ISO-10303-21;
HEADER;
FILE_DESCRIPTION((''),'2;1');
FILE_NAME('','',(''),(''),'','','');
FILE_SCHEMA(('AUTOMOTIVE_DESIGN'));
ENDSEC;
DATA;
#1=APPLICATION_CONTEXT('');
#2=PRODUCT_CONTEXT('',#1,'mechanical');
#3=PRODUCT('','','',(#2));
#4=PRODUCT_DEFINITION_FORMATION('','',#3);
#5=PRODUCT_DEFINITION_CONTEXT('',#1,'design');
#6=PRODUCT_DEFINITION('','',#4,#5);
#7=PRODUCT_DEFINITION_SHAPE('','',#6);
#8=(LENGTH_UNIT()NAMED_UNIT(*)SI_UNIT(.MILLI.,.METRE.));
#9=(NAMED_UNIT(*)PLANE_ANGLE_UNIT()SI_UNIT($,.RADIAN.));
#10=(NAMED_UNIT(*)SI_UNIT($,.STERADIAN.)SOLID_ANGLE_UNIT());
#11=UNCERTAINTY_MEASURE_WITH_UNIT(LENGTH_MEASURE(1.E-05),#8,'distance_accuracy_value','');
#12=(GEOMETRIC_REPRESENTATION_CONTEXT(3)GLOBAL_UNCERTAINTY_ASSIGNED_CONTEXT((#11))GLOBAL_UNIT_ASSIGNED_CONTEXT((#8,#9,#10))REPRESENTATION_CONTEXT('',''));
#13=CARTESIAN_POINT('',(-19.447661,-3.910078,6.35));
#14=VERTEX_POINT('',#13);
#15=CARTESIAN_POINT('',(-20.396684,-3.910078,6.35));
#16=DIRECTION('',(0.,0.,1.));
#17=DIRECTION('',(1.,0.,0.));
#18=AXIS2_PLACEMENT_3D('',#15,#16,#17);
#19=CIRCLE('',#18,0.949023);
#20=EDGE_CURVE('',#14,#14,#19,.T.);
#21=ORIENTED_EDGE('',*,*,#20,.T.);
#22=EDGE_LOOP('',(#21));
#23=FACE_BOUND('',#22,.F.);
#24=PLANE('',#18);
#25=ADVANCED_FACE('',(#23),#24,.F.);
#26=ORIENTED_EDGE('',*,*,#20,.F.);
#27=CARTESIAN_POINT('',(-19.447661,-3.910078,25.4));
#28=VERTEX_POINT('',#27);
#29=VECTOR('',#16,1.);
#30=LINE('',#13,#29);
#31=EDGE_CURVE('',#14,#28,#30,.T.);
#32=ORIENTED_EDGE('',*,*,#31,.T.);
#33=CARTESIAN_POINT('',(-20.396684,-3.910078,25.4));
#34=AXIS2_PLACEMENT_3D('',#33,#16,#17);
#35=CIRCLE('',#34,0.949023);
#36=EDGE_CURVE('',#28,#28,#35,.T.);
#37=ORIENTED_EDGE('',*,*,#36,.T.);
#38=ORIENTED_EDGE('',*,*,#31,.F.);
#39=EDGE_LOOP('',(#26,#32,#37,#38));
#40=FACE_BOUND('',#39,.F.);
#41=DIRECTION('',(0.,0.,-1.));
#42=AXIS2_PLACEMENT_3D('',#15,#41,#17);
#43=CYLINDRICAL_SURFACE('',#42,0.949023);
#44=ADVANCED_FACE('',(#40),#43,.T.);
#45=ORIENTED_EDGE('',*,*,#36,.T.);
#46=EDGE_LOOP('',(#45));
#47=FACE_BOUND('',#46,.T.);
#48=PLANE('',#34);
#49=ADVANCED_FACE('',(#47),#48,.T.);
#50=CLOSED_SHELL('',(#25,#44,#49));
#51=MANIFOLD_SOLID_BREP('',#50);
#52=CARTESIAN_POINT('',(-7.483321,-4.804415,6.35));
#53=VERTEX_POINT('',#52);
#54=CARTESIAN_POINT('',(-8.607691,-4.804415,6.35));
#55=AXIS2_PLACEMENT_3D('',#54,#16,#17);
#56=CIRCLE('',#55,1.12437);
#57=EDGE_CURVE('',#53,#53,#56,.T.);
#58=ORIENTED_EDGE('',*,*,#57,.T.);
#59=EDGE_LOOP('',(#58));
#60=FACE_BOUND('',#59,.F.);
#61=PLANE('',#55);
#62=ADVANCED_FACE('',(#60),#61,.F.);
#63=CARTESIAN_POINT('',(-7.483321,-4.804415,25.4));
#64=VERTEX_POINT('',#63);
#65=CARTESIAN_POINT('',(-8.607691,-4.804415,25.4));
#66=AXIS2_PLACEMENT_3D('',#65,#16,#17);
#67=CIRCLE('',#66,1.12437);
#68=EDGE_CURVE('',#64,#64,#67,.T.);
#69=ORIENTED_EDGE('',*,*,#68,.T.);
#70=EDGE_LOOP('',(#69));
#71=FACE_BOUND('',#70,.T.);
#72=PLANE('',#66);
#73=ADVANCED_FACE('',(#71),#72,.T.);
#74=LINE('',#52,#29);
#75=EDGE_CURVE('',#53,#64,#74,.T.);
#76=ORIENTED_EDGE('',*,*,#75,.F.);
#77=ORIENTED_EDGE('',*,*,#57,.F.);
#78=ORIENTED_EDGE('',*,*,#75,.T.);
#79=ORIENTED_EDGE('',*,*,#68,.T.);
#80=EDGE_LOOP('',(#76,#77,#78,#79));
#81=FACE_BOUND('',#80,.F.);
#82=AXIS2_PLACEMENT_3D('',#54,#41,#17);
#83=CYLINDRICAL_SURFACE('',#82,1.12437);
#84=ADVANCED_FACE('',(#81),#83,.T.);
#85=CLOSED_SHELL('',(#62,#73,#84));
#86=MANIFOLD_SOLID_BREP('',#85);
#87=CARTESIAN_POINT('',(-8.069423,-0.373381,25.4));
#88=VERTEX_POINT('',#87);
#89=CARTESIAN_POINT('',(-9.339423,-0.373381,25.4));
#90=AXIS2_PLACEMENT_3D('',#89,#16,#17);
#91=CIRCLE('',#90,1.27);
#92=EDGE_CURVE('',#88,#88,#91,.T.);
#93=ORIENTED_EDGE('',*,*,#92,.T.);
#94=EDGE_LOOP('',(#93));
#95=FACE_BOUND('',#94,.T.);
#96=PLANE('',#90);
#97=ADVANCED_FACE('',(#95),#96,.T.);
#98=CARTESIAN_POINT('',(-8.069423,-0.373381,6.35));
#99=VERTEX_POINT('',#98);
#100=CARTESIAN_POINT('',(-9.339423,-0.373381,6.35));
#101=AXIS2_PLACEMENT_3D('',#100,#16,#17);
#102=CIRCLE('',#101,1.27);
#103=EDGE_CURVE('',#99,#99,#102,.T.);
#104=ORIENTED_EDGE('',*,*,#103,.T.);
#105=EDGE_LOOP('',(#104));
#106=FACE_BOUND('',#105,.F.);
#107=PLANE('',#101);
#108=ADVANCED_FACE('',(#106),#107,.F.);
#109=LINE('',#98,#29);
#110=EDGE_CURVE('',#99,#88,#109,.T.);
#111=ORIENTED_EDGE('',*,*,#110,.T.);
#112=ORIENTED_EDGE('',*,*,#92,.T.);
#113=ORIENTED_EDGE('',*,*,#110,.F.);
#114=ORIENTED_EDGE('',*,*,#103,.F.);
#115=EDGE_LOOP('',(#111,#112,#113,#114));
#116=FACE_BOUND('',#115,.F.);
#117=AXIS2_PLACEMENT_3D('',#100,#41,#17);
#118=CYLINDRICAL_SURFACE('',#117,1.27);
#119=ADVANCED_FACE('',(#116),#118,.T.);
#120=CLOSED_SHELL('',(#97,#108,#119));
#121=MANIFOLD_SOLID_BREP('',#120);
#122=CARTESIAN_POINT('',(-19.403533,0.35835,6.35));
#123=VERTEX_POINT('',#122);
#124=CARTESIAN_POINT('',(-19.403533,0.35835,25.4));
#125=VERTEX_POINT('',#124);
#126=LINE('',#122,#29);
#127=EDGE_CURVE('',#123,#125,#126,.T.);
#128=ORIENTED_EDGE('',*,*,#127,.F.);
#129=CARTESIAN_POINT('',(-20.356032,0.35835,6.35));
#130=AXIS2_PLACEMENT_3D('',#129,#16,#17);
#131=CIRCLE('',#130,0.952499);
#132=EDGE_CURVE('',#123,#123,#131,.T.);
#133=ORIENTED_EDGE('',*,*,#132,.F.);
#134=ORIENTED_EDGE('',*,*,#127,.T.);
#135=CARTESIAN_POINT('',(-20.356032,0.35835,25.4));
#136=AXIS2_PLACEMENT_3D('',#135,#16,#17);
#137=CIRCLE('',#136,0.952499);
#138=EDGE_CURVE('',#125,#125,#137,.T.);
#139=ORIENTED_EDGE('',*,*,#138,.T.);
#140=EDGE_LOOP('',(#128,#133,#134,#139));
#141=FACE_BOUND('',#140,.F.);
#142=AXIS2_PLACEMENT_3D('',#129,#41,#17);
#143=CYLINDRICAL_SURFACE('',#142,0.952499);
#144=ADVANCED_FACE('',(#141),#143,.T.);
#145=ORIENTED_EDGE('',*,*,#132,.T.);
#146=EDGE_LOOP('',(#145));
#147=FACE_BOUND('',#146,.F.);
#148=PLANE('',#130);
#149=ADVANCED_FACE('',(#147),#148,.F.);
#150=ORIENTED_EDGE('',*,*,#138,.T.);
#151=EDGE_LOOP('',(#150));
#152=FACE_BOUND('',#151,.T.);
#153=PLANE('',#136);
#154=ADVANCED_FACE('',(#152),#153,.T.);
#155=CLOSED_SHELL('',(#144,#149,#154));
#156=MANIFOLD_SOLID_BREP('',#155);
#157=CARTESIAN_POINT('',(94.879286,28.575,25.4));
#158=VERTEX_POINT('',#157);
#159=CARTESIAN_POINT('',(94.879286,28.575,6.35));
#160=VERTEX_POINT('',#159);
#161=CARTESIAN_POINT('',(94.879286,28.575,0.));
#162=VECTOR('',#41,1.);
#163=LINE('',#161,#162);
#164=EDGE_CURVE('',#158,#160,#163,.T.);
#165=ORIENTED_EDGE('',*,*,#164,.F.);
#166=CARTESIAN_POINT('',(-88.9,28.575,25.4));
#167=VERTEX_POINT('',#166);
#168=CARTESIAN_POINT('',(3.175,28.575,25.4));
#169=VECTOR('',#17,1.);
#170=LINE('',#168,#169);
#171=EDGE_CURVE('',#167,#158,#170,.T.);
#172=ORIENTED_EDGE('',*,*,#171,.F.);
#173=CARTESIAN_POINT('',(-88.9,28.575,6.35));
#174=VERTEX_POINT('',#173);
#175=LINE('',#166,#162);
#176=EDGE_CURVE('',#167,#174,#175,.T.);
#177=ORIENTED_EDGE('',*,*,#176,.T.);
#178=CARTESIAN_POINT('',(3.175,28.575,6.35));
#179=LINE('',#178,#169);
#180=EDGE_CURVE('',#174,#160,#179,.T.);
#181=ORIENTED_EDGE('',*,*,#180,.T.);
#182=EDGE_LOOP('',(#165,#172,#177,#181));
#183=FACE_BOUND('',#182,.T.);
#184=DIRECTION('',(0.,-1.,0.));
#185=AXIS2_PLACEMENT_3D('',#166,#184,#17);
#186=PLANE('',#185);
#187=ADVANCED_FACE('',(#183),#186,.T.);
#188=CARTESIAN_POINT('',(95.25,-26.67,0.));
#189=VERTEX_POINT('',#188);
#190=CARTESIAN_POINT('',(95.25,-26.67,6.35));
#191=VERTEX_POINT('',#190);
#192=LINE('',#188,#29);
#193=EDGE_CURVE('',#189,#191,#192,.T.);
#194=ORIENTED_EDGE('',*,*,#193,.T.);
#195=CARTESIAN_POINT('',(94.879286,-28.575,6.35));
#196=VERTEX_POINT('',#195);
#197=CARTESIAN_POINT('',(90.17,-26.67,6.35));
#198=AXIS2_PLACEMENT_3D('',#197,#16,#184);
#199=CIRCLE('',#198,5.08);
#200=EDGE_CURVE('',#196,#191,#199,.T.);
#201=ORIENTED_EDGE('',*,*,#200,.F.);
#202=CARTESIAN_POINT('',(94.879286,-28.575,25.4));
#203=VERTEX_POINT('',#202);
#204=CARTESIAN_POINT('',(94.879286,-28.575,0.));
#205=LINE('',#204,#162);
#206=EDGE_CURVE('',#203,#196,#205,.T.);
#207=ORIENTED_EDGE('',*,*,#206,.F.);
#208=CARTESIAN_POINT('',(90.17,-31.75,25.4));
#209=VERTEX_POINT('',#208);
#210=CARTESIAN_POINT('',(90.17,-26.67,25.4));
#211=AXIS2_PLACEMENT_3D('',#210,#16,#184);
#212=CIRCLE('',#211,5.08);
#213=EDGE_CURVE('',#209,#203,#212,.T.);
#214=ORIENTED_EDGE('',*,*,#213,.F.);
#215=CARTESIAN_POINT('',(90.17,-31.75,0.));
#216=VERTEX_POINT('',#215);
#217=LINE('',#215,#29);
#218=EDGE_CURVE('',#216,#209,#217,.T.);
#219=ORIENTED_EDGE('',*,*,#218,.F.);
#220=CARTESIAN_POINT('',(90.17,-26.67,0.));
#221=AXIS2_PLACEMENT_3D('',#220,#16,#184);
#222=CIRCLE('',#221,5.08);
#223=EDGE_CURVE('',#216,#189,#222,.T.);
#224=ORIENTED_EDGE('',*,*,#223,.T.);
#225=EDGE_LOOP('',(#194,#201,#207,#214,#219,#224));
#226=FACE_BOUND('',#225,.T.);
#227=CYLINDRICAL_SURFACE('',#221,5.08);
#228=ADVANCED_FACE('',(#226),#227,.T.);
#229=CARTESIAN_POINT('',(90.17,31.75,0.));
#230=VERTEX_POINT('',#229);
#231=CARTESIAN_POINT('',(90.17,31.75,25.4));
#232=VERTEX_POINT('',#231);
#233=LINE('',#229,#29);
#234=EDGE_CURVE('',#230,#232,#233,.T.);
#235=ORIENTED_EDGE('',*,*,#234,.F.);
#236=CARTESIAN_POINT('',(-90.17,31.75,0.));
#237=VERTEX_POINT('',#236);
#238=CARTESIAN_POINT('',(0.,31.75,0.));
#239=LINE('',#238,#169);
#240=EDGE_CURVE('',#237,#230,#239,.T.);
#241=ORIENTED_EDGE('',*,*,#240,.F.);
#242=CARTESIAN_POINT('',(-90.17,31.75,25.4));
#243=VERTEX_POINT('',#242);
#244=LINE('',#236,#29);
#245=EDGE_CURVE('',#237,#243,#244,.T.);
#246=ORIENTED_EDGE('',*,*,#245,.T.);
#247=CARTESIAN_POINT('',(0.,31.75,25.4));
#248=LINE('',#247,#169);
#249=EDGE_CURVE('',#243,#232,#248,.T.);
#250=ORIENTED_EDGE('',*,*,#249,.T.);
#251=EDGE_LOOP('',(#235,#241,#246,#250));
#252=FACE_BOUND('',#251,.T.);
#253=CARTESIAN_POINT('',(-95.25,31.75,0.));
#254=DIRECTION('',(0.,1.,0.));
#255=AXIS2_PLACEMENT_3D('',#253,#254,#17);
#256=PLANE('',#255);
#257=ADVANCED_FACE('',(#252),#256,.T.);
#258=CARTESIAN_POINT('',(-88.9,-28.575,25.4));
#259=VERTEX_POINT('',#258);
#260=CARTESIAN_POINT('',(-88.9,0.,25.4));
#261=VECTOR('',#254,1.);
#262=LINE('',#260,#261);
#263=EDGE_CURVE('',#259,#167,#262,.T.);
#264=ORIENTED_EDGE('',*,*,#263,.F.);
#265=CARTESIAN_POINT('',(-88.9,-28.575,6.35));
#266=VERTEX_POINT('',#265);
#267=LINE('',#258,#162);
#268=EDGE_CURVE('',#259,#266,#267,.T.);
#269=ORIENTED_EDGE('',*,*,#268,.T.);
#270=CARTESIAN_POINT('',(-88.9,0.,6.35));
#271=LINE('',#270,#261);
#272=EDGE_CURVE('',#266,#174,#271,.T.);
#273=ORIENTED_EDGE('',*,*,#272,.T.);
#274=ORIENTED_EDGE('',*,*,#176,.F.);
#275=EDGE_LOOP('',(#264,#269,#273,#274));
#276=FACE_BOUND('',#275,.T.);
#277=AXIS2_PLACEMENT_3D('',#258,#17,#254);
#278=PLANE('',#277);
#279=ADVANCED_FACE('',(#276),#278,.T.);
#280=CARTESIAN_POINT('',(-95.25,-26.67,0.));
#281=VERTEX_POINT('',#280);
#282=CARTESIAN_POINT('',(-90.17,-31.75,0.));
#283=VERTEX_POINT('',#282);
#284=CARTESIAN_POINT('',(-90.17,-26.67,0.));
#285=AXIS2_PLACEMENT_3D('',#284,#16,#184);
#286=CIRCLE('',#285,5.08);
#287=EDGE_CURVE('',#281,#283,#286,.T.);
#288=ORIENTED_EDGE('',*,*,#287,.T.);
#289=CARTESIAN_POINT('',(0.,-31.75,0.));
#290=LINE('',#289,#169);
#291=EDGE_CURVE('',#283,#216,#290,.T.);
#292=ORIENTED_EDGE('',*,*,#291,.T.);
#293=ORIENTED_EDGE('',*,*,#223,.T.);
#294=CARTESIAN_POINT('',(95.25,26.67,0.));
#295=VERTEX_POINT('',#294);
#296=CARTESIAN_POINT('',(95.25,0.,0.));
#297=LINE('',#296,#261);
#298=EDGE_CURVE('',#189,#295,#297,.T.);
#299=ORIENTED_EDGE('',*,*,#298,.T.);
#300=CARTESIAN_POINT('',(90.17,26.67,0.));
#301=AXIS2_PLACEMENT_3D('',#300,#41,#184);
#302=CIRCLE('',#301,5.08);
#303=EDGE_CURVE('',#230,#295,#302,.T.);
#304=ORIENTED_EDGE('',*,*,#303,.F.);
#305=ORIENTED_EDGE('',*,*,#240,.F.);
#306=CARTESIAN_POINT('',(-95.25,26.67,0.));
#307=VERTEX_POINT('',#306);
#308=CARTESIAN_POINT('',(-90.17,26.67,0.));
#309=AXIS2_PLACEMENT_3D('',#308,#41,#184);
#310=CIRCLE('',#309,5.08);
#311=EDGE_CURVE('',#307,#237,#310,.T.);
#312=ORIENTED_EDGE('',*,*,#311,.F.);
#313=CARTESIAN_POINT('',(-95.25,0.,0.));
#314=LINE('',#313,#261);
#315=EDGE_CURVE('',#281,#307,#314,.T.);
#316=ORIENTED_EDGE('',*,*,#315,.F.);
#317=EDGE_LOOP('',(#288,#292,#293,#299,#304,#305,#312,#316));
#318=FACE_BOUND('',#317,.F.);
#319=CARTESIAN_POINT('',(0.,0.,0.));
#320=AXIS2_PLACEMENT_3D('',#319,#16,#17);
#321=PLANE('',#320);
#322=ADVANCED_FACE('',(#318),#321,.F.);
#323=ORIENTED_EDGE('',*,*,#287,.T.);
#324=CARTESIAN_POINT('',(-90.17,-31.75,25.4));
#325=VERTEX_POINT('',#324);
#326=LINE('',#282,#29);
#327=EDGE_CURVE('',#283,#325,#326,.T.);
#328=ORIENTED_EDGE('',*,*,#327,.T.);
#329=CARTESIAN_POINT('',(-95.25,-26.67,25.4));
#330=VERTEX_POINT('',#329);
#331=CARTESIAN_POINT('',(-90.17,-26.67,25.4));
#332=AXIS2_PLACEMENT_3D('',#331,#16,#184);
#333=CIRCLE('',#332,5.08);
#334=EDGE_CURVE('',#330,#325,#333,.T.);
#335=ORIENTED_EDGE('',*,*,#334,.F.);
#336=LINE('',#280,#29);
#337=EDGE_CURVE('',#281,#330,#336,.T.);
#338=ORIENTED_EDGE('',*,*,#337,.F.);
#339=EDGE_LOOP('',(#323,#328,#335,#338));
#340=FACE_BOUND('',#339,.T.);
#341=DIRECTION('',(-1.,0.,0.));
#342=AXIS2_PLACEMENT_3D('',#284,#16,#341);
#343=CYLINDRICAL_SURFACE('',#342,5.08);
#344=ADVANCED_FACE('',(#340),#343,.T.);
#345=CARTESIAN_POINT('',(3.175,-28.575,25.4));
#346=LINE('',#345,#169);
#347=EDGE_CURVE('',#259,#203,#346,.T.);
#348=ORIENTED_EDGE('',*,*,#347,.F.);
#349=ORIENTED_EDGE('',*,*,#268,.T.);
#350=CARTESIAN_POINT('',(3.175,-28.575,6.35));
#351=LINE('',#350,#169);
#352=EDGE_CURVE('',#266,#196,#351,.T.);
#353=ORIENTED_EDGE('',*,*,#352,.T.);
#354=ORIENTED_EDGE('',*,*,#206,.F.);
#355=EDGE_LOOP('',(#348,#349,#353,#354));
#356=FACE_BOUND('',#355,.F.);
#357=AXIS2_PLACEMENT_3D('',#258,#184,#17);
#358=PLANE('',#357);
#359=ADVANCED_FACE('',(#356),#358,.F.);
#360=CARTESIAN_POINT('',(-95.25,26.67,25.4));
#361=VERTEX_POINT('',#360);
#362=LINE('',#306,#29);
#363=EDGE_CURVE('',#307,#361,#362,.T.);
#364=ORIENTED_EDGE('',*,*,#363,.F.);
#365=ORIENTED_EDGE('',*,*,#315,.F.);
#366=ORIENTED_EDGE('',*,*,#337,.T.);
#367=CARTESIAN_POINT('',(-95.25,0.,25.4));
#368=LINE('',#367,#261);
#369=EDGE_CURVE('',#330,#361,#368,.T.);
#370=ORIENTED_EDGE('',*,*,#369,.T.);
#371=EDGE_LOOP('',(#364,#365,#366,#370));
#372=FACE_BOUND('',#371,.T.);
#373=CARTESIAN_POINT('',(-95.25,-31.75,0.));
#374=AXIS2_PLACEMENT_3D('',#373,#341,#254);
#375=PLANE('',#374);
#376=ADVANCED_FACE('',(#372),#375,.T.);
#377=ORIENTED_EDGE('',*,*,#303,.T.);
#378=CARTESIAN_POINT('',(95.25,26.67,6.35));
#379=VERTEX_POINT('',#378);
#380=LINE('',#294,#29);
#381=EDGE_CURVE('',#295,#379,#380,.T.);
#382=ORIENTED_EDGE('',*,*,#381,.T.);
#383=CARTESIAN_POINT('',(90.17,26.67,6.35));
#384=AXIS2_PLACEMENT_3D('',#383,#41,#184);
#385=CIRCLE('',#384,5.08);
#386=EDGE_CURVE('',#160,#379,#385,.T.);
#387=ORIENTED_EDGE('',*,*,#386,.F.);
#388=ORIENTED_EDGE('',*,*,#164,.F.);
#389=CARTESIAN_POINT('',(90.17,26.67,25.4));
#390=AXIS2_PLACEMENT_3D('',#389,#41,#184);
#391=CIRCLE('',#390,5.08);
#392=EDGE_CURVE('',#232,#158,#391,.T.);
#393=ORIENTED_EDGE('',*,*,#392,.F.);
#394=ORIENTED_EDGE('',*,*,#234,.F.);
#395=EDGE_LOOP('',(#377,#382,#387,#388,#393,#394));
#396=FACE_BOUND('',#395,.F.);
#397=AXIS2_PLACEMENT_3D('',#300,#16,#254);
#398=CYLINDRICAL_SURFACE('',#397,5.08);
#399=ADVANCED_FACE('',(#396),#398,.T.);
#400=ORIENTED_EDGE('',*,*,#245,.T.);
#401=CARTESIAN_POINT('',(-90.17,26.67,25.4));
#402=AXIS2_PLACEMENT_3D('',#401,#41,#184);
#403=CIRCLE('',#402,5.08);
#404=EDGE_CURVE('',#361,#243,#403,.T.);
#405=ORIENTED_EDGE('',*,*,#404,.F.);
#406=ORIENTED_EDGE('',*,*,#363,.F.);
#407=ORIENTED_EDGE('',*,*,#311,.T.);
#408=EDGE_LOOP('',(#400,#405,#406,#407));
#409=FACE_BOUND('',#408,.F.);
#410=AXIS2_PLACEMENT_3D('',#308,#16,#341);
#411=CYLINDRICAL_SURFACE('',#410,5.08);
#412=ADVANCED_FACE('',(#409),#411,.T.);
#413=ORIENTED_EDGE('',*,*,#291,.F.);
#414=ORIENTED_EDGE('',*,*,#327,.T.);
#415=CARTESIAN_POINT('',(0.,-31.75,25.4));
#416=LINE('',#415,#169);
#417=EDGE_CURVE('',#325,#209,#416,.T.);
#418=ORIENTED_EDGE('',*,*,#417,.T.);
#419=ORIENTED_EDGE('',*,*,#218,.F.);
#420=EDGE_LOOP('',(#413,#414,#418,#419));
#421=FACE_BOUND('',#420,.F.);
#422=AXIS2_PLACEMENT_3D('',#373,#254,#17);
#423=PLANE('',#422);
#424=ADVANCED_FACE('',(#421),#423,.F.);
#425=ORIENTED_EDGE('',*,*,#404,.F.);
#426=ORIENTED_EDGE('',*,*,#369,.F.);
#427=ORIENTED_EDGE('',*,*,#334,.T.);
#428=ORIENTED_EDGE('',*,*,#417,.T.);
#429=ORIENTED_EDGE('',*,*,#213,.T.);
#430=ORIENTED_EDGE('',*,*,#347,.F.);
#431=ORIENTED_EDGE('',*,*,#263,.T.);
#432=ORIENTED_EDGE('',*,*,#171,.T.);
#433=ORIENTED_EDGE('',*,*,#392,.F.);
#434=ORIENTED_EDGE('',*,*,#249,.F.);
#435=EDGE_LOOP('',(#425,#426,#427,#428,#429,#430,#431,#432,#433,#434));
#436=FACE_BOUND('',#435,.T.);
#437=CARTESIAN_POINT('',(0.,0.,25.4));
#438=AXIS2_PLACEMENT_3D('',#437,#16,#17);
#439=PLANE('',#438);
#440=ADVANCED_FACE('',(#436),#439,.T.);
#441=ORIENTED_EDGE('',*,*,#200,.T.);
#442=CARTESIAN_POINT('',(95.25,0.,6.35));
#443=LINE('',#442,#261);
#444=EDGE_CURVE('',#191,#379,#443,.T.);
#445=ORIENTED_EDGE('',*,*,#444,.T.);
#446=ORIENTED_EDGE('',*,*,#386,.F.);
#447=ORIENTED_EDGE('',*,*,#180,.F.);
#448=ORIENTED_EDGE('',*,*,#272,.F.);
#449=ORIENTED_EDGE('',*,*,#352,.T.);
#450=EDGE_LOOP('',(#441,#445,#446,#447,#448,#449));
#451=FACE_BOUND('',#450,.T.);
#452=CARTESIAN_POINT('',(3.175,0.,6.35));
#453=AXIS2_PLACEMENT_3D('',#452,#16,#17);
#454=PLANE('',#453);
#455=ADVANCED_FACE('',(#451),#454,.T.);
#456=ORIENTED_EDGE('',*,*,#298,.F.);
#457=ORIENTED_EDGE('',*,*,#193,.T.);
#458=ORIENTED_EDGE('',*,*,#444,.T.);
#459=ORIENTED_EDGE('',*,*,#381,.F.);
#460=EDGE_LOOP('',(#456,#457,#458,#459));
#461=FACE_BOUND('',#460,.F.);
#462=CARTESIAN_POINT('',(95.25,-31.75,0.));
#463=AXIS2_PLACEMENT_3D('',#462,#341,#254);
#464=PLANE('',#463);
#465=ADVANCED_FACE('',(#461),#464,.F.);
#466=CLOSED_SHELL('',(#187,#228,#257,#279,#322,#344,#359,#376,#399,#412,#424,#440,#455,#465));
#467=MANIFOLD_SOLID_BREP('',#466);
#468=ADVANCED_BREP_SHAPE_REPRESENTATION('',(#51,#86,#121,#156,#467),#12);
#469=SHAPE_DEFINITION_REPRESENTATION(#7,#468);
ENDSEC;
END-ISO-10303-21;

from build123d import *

# Parameters (mm, degrees)
F0_W     = 190.5
F0_H     = 63.5
F1_DEPTH = 25.4
F2_W     = 184.15
F2_H     = 57.15
F3_DEPTH = 19.05
F4_R     = 0.952499
F4_R_2   = 0.949023
F4_R_3   = 1.27
F4_R_4   = 1.12437
F5_DEPTH = 19.05
F6_R     = 5.08


with BuildPart() as f1:
    # F0 (on Top) → F1 (new body)
    with BuildSketch(Plane.XY):
        Rectangle(F0_W, F0_H)
    extrude(amount=F1_DEPTH)

    # F2 (on face) → F3 (cut)
    with BuildSketch(Plane.XY.offset(25.4)):
        with Locations((3.175, 0)):
            Rectangle(F2_W, F2_H)
    extrude(amount=-F3_DEPTH, mode=Mode.SUBTRACT)

    # F6
    f6_edges = [f1.edges().sort_by_distance(p)[0] for p in [
        (-95.25, -31.75, 12.7),
        (-95.25, 31.75, 12.7),
        (95.25, 31.75, 12.7),
        (95.25, -31.75, 12.7),
    ]]
    fillet(f6_edges, radius=F6_R)


with BuildPart() as f5:
    # F4 (on face) → F5 (new body)
    with BuildSketch(Plane.XY.offset(6.35)):
        with Locations((-20.356032, 0.35835)):
            Circle(F4_R)
        with Locations((-20.396684, -3.910078)):
            Circle(F4_R_2)
        with Locations((-9.339423, -0.373381)):
            Circle(F4_R_3)
        with Locations((-8.607691, -4.804415)):
            Circle(F4_R_4)
    extrude(amount=F5_DEPTH)


solid = Compound([f1.part, f5.part])
